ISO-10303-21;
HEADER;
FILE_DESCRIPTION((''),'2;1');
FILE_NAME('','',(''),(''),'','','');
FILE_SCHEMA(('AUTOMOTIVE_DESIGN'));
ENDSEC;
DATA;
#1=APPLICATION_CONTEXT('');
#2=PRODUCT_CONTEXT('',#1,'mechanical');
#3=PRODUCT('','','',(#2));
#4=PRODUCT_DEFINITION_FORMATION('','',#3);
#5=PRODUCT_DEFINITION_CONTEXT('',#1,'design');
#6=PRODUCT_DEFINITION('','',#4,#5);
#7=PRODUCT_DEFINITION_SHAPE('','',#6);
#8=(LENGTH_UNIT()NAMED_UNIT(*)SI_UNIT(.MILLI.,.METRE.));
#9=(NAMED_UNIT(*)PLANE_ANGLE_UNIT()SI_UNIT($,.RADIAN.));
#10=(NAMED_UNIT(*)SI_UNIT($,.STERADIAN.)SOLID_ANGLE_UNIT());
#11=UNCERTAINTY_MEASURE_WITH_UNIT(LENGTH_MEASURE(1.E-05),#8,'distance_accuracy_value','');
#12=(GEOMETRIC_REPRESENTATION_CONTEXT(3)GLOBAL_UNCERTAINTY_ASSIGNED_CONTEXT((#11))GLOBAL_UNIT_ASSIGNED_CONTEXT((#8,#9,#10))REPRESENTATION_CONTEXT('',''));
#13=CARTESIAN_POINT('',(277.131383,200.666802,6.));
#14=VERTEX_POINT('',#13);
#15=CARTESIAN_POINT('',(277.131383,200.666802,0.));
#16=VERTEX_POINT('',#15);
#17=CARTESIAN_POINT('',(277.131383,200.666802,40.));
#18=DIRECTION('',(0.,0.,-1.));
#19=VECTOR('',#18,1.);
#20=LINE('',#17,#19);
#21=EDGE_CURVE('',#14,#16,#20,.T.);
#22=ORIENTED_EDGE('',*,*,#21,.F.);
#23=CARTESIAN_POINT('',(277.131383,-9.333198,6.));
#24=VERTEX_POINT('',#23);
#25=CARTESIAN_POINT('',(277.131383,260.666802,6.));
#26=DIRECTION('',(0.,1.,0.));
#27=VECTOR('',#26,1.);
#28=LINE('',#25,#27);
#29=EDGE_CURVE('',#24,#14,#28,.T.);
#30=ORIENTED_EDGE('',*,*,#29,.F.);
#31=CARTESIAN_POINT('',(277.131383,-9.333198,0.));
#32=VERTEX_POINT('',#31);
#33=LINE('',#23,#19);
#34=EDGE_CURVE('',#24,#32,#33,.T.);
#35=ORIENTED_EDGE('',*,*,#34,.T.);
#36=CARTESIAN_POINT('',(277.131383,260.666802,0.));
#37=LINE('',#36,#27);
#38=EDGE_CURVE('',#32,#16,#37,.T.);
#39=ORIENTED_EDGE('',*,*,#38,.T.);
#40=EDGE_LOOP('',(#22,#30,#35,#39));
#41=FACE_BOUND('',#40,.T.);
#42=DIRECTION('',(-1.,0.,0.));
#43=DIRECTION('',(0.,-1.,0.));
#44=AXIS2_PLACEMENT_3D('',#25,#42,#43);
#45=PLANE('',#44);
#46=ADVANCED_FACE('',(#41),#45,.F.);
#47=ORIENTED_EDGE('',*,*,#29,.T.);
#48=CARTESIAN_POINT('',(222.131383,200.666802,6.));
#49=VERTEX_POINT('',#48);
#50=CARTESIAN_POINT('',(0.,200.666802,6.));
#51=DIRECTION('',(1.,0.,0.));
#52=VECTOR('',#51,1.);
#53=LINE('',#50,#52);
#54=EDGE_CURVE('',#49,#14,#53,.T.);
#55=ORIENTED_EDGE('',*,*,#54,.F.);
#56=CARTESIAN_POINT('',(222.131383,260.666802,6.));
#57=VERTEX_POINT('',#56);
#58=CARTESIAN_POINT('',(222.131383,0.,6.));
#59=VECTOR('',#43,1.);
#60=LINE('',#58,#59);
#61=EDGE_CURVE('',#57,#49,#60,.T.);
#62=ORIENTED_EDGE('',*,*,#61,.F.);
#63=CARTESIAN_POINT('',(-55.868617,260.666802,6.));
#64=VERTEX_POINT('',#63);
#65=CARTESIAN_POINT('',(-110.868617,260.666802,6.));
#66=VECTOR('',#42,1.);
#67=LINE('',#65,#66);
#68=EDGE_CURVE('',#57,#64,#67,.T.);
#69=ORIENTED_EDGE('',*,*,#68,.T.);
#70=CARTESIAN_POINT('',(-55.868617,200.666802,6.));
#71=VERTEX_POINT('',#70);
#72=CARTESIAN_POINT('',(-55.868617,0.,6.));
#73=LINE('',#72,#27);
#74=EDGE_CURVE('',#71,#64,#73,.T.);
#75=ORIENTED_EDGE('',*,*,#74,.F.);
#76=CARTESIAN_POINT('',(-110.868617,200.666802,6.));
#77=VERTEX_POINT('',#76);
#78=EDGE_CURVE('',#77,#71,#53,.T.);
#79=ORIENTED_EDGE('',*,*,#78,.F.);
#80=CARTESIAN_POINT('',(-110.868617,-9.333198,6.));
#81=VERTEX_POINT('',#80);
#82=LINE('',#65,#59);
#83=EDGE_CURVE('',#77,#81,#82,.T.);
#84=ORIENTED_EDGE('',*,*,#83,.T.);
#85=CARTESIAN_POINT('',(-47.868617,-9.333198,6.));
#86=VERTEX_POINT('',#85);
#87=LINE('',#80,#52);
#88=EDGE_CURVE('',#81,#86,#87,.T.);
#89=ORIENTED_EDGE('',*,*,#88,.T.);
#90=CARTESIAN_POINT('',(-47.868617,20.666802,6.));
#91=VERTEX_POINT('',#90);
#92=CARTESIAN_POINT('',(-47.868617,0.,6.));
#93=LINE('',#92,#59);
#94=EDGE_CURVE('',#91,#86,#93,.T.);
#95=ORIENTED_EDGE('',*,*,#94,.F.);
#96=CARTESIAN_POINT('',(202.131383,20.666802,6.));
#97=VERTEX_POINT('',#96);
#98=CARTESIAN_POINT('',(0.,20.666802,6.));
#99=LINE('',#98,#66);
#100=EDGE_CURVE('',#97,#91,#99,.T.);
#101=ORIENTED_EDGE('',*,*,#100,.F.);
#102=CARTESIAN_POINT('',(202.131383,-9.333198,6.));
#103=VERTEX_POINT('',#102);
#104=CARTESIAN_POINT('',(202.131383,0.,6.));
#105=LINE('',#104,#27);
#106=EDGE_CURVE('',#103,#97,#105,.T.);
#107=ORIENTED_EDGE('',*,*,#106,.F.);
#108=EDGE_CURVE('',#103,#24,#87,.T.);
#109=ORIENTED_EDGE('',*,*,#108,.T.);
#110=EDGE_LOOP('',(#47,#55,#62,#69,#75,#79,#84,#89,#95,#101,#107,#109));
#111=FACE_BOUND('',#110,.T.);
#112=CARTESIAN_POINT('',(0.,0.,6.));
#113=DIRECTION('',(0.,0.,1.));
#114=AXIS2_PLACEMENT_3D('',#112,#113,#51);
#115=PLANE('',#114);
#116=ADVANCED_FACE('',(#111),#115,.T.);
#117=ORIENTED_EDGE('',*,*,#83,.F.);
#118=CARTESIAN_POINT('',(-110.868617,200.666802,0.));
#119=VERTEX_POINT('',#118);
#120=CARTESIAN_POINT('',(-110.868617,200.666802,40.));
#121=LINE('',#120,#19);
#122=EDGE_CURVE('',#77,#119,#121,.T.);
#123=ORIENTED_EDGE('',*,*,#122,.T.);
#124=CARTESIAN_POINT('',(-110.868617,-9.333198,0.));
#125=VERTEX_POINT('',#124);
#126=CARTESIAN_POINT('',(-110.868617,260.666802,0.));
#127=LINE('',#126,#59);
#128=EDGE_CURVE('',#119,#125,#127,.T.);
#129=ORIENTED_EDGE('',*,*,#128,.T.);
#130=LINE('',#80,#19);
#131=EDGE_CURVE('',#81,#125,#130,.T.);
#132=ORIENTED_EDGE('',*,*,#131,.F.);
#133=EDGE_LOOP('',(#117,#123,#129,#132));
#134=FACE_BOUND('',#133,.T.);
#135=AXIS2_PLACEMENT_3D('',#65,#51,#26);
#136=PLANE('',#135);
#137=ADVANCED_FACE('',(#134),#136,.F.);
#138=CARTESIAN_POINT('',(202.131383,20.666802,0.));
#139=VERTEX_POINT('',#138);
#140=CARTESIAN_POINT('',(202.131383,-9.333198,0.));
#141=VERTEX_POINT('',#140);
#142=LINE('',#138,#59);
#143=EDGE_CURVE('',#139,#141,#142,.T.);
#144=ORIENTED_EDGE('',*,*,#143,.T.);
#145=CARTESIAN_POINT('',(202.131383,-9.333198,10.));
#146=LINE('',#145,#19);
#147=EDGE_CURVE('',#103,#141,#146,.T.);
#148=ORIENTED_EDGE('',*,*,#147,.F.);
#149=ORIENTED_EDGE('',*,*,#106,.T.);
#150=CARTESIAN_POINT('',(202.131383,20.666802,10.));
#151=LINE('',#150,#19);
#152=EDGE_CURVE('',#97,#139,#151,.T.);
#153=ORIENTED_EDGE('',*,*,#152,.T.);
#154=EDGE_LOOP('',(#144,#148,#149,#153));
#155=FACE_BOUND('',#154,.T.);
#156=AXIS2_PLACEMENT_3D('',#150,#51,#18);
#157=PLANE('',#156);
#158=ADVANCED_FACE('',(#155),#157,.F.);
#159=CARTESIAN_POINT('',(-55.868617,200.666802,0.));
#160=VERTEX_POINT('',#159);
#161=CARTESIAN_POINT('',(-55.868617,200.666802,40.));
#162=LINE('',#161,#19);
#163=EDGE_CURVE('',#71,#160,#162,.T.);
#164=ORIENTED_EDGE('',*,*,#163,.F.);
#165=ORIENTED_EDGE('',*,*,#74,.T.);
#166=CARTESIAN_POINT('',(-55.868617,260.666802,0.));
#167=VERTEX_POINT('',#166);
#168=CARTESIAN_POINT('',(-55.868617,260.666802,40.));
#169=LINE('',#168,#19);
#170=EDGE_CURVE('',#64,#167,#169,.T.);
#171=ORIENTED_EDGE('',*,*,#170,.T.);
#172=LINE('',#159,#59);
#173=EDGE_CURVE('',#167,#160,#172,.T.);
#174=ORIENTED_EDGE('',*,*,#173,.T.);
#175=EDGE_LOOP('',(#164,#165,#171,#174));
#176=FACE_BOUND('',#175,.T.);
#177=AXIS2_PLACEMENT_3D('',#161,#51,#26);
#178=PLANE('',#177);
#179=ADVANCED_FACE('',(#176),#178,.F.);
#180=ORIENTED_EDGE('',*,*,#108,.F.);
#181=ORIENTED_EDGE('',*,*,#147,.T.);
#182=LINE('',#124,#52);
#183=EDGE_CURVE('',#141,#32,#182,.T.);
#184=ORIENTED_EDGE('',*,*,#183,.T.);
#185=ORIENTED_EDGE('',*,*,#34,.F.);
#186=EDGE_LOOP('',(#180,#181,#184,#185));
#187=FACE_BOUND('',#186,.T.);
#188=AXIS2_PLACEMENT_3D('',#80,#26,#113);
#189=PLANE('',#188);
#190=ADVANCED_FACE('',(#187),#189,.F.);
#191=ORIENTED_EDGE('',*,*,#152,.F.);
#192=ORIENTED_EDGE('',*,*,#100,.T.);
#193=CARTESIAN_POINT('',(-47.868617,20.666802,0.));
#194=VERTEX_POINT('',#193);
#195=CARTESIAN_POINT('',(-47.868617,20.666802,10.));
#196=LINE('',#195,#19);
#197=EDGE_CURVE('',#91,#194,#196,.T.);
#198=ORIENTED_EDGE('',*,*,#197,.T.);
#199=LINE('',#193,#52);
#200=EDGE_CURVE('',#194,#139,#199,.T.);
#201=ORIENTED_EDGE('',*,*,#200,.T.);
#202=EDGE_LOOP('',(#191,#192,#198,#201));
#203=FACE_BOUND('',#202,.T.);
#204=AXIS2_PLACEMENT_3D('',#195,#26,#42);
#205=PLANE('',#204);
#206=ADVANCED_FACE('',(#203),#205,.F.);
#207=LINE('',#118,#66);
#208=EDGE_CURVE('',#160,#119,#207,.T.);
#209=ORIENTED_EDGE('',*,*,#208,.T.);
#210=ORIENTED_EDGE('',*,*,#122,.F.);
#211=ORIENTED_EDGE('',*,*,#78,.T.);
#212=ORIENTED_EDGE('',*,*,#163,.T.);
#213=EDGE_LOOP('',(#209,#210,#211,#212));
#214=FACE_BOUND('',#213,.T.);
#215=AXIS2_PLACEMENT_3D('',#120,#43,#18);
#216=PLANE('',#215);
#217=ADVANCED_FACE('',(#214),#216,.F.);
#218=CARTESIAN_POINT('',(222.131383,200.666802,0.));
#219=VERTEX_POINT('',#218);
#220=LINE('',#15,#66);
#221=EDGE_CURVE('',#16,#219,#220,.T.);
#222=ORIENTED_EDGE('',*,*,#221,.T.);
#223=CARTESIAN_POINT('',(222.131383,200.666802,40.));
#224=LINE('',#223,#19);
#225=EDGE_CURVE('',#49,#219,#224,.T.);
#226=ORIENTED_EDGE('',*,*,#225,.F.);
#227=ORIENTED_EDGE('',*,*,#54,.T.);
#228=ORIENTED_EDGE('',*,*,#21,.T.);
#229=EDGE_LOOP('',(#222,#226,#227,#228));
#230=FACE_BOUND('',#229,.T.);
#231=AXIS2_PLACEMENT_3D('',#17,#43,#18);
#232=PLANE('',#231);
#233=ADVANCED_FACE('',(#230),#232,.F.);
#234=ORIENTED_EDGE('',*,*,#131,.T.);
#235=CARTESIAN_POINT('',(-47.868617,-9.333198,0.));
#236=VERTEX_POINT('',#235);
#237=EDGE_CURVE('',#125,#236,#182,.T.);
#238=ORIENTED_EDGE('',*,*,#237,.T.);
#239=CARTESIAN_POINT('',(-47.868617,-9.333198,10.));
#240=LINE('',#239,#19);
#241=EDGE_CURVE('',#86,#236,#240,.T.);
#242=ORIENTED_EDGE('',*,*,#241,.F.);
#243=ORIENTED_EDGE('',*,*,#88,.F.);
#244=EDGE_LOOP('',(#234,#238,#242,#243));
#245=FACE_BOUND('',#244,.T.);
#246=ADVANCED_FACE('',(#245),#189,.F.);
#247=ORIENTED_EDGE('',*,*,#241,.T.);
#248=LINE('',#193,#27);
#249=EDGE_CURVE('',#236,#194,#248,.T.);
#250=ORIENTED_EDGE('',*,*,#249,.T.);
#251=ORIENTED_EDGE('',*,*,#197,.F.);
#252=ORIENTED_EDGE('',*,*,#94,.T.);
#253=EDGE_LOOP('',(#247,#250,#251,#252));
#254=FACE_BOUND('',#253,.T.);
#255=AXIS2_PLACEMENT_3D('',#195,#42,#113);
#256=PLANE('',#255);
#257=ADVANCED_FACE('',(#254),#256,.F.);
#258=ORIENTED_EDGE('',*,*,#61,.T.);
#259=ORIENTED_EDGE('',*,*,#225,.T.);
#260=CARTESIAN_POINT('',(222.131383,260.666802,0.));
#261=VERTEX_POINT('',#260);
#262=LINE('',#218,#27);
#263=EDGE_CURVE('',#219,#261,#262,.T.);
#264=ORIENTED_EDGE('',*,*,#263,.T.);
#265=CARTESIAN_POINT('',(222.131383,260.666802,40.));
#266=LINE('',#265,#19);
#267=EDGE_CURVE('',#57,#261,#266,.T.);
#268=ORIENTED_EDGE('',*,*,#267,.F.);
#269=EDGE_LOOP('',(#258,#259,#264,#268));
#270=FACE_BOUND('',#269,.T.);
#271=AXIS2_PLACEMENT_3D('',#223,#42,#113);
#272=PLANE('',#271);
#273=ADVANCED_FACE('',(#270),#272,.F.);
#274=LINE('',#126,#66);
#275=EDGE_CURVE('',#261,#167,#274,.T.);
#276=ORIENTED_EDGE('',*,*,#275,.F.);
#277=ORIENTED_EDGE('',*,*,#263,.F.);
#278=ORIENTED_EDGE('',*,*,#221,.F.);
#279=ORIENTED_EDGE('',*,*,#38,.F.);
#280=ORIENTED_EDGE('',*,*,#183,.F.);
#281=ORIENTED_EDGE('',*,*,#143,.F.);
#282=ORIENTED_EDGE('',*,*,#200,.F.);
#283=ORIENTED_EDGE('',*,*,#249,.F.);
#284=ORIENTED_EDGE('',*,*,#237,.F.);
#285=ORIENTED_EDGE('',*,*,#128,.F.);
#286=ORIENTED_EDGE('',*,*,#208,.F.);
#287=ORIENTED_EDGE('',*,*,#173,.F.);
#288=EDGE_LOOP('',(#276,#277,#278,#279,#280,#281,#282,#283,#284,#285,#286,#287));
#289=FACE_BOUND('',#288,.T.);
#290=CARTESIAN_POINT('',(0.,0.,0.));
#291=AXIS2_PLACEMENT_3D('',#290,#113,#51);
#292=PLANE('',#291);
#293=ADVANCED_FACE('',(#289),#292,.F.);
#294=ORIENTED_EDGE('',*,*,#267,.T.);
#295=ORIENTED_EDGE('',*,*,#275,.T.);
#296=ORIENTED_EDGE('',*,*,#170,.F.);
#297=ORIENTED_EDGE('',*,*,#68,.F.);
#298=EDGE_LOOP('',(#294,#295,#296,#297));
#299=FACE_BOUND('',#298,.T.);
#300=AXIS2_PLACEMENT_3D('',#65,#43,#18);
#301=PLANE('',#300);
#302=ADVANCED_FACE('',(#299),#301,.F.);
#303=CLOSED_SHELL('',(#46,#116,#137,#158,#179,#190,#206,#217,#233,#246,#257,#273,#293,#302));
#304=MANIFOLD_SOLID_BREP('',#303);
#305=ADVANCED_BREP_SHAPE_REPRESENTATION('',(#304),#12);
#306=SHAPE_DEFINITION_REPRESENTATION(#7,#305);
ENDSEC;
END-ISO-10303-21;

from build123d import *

# Parameters (mm, degrees)
SKETCH1_W           = 388
SKETCH1_H           = 270
BOSS_EXTRUDE1_DEPTH = 6
SKETCH2_W           = 55
SKETCH2_H           = 60
CUT_EXTRUDE1_DEPTH  = 40
SKETCH3_W           = 250
SKETCH3_H           = 30
CUT_EXTRUDE2_DEPTH  = 10


with BuildPart() as part:
    # Sketch1 → Boss-Extrude1 (new body)
    with BuildSketch(Plane.XY):
        with Locations((83.131383381, 125.666802076)):
            Rectangle(SKETCH1_W, SKETCH1_H)
    extrude(amount=BOSS_EXTRUDE1_DEPTH)

    # Sketch2 → Cut-Extrude1 (cut)
    with BuildSketch(Plane(origin=(0, 0, 0), x_dir=(-1, 0, 0), z_dir=(0, 0, -1))):
        with Locations((-249.631383381, 230.666802076)):
            Rectangle(SKETCH2_W, SKETCH2_H)
        with Locations((83.368616619, 230.666802076)):
            Rectangle(SKETCH2_W, SKETCH2_H)
    extrude(amount=-CUT_EXTRUDE1_DEPTH, mode=Mode.SUBTRACT)

    # Sketch3 → Cut-Extrude2 (cut)
    with BuildSketch(Plane(origin=(0, 0, 0), x_dir=(-1, 0, 0), z_dir=(0, 0, -1))):
        with Locations((-77.131383381, 5.666802076)):
            Rectangle(SKETCH3_W, SKETCH3_H)
    extrude(amount=-CUT_EXTRUDE2_DEPTH, mode=Mode.SUBTRACT)


solid = part.part
